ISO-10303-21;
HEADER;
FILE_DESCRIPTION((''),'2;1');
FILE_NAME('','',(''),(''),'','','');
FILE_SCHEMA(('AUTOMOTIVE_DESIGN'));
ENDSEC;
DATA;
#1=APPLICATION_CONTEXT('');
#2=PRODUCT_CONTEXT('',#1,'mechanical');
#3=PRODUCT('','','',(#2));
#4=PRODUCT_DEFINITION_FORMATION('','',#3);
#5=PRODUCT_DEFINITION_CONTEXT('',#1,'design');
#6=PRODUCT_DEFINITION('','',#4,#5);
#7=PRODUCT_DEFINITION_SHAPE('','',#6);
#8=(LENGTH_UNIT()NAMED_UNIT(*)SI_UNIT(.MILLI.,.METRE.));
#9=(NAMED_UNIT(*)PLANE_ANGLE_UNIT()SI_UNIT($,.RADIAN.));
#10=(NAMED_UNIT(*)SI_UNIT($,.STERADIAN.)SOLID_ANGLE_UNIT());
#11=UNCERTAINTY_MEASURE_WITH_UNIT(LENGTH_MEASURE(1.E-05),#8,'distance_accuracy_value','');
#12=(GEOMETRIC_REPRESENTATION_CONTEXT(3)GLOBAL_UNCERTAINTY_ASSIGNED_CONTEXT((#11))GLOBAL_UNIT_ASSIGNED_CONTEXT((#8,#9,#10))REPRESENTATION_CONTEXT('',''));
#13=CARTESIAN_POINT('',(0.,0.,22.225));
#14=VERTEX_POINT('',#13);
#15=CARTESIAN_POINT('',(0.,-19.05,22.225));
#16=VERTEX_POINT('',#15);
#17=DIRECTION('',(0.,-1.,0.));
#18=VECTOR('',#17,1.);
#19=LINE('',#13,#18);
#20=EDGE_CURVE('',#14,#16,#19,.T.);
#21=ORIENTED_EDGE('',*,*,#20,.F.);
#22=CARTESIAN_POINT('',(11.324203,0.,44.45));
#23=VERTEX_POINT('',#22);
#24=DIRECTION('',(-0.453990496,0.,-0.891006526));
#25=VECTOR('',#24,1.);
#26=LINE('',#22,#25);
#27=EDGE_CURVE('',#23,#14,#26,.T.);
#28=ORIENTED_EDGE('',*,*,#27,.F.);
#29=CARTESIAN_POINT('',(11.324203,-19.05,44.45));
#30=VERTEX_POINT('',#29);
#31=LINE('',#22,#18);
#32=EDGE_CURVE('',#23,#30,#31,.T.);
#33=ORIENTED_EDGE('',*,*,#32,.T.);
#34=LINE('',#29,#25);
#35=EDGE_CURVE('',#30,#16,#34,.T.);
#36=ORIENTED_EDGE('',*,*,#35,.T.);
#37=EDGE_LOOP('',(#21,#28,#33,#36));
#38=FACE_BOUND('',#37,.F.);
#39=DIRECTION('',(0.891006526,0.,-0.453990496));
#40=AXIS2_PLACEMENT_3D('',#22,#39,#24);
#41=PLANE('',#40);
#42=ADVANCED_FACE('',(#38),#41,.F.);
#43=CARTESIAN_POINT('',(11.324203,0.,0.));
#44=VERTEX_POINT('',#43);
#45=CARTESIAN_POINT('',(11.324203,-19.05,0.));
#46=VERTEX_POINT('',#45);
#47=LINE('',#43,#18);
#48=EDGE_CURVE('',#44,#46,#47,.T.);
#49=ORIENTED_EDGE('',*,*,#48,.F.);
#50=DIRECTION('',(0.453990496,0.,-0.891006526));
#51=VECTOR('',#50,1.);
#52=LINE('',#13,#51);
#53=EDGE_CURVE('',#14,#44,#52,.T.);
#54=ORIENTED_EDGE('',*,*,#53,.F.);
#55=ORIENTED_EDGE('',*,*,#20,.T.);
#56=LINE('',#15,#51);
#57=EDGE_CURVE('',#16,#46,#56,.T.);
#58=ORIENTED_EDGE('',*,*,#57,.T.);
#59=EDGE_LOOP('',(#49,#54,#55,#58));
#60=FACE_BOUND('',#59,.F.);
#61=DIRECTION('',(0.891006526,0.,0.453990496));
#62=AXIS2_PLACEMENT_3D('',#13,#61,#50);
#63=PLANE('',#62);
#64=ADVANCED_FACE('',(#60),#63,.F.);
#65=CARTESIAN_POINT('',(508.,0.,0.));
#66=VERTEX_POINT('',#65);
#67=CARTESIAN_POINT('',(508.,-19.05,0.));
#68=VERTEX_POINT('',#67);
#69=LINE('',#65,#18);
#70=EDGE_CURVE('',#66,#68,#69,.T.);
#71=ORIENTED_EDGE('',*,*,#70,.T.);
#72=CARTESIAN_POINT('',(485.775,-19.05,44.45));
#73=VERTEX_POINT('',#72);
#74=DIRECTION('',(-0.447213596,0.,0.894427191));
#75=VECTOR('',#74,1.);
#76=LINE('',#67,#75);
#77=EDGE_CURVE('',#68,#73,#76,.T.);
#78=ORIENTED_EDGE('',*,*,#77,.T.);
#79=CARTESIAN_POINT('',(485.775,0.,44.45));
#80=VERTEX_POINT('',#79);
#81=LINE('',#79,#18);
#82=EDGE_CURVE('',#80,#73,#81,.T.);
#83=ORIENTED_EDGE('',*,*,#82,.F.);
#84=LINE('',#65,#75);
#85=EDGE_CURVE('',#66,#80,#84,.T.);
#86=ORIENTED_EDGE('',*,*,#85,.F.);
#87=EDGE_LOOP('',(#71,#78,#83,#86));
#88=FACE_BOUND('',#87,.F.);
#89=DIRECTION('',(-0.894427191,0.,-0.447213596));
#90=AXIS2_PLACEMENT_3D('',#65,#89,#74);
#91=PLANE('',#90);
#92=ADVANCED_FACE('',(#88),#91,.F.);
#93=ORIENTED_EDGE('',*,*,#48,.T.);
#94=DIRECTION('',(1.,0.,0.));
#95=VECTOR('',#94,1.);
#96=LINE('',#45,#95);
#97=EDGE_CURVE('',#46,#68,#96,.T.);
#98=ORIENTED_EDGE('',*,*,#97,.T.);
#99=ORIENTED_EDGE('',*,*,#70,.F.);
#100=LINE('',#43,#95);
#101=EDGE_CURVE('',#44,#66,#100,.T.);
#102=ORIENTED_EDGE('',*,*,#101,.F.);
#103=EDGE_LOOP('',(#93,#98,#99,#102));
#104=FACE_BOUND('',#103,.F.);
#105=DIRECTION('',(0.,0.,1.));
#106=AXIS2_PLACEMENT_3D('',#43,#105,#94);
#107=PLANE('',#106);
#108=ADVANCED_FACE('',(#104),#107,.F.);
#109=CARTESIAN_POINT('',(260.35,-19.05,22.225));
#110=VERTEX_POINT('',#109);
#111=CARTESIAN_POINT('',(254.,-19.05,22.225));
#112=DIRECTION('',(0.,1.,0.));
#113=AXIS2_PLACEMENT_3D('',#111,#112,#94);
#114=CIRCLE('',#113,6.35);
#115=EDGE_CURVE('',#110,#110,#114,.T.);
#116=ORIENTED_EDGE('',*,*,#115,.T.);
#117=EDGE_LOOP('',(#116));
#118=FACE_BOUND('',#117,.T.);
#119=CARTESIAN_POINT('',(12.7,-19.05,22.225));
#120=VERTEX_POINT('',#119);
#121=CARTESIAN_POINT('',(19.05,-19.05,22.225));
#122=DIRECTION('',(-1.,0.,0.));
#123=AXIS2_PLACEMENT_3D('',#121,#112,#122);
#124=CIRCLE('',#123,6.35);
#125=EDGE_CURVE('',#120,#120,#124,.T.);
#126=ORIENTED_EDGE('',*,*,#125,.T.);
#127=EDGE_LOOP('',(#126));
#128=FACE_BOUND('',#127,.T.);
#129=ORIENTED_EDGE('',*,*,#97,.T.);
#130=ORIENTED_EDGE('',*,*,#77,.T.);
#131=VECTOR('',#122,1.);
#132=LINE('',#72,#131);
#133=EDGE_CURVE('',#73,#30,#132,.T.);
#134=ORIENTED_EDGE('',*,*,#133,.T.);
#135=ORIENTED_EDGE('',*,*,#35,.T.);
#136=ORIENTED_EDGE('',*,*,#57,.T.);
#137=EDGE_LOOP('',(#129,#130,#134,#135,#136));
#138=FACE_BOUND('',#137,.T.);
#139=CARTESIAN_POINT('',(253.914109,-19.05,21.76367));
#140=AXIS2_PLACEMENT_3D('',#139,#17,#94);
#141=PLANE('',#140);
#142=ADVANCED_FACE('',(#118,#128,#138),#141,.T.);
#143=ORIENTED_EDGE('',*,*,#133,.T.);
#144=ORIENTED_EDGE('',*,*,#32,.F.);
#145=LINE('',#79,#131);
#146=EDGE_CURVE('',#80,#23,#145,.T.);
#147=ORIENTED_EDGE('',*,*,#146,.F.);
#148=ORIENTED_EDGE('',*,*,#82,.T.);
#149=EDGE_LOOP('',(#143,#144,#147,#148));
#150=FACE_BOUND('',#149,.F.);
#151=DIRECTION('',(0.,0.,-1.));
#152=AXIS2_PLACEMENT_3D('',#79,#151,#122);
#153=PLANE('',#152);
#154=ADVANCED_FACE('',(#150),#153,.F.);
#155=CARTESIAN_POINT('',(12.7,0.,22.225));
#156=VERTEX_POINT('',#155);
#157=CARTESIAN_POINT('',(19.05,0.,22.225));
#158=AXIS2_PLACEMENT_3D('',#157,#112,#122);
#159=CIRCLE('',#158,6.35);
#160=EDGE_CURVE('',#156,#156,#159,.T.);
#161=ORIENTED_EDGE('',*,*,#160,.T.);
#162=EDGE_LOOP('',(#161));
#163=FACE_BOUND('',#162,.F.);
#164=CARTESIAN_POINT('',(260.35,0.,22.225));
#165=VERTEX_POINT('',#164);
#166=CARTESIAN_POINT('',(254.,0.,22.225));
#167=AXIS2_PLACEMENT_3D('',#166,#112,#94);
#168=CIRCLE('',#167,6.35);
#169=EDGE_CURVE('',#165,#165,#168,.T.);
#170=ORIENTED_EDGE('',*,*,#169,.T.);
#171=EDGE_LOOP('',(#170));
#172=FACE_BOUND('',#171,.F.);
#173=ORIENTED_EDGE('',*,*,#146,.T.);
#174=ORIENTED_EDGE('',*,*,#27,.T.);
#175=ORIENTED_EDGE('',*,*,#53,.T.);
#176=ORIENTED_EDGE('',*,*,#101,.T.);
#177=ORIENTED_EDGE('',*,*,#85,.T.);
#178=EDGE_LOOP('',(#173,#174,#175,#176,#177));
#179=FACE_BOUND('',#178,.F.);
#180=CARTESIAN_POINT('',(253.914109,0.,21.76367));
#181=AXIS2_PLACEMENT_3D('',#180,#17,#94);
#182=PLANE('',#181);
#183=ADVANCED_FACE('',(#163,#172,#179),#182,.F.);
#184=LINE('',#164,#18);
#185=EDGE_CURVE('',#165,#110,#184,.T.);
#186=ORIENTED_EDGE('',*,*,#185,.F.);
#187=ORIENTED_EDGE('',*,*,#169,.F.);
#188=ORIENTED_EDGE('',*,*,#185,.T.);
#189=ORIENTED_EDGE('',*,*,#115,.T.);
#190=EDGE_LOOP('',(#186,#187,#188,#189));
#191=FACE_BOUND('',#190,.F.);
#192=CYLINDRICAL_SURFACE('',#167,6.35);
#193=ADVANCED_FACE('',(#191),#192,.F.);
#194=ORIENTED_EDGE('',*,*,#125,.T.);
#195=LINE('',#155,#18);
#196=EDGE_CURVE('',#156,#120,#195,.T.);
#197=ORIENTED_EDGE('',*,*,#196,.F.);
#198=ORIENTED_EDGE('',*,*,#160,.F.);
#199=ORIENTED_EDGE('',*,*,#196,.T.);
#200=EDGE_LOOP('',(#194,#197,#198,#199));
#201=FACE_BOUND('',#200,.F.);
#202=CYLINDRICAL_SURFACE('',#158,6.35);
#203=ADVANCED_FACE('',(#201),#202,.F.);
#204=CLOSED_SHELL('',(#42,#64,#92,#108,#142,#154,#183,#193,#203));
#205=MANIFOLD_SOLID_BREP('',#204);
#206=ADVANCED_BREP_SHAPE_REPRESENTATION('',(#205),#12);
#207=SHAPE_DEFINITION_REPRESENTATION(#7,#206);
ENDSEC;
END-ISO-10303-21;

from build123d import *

# Parameters (mm, degrees)
F1_DEPTH = 19.05


with BuildPart() as f1:
    # F0 (on Front) → F1 (new body)
    with BuildSketch(Plane.XZ):
        Polygon((11.324203, 0), (19.05, 0), (508, 0), (485.775, 44.45), (19.05, 44.45), (11.324203, 44.45), (0, 22.225), align=None)
        with BuildLine():
            ThreePointArc((25.4, 22.225), (19.05, 15.875), (12.7, 22.225))
            ThreePointArc((12.7, 22.225), (19.05, 28.575), (25.4, 22.225))
        make_face(mode=Mode.SUBTRACT)
        with BuildLine():
            ThreePointArc((247.65, 22.225), (254, 28.575), (260.35, 22.225))
            ThreePointArc((260.35, 22.225), (254, 15.875), (247.65, 22.225))
        make_face(mode=Mode.SUBTRACT)
    extrude(amount=F1_DEPTH)


solid = f1.part
